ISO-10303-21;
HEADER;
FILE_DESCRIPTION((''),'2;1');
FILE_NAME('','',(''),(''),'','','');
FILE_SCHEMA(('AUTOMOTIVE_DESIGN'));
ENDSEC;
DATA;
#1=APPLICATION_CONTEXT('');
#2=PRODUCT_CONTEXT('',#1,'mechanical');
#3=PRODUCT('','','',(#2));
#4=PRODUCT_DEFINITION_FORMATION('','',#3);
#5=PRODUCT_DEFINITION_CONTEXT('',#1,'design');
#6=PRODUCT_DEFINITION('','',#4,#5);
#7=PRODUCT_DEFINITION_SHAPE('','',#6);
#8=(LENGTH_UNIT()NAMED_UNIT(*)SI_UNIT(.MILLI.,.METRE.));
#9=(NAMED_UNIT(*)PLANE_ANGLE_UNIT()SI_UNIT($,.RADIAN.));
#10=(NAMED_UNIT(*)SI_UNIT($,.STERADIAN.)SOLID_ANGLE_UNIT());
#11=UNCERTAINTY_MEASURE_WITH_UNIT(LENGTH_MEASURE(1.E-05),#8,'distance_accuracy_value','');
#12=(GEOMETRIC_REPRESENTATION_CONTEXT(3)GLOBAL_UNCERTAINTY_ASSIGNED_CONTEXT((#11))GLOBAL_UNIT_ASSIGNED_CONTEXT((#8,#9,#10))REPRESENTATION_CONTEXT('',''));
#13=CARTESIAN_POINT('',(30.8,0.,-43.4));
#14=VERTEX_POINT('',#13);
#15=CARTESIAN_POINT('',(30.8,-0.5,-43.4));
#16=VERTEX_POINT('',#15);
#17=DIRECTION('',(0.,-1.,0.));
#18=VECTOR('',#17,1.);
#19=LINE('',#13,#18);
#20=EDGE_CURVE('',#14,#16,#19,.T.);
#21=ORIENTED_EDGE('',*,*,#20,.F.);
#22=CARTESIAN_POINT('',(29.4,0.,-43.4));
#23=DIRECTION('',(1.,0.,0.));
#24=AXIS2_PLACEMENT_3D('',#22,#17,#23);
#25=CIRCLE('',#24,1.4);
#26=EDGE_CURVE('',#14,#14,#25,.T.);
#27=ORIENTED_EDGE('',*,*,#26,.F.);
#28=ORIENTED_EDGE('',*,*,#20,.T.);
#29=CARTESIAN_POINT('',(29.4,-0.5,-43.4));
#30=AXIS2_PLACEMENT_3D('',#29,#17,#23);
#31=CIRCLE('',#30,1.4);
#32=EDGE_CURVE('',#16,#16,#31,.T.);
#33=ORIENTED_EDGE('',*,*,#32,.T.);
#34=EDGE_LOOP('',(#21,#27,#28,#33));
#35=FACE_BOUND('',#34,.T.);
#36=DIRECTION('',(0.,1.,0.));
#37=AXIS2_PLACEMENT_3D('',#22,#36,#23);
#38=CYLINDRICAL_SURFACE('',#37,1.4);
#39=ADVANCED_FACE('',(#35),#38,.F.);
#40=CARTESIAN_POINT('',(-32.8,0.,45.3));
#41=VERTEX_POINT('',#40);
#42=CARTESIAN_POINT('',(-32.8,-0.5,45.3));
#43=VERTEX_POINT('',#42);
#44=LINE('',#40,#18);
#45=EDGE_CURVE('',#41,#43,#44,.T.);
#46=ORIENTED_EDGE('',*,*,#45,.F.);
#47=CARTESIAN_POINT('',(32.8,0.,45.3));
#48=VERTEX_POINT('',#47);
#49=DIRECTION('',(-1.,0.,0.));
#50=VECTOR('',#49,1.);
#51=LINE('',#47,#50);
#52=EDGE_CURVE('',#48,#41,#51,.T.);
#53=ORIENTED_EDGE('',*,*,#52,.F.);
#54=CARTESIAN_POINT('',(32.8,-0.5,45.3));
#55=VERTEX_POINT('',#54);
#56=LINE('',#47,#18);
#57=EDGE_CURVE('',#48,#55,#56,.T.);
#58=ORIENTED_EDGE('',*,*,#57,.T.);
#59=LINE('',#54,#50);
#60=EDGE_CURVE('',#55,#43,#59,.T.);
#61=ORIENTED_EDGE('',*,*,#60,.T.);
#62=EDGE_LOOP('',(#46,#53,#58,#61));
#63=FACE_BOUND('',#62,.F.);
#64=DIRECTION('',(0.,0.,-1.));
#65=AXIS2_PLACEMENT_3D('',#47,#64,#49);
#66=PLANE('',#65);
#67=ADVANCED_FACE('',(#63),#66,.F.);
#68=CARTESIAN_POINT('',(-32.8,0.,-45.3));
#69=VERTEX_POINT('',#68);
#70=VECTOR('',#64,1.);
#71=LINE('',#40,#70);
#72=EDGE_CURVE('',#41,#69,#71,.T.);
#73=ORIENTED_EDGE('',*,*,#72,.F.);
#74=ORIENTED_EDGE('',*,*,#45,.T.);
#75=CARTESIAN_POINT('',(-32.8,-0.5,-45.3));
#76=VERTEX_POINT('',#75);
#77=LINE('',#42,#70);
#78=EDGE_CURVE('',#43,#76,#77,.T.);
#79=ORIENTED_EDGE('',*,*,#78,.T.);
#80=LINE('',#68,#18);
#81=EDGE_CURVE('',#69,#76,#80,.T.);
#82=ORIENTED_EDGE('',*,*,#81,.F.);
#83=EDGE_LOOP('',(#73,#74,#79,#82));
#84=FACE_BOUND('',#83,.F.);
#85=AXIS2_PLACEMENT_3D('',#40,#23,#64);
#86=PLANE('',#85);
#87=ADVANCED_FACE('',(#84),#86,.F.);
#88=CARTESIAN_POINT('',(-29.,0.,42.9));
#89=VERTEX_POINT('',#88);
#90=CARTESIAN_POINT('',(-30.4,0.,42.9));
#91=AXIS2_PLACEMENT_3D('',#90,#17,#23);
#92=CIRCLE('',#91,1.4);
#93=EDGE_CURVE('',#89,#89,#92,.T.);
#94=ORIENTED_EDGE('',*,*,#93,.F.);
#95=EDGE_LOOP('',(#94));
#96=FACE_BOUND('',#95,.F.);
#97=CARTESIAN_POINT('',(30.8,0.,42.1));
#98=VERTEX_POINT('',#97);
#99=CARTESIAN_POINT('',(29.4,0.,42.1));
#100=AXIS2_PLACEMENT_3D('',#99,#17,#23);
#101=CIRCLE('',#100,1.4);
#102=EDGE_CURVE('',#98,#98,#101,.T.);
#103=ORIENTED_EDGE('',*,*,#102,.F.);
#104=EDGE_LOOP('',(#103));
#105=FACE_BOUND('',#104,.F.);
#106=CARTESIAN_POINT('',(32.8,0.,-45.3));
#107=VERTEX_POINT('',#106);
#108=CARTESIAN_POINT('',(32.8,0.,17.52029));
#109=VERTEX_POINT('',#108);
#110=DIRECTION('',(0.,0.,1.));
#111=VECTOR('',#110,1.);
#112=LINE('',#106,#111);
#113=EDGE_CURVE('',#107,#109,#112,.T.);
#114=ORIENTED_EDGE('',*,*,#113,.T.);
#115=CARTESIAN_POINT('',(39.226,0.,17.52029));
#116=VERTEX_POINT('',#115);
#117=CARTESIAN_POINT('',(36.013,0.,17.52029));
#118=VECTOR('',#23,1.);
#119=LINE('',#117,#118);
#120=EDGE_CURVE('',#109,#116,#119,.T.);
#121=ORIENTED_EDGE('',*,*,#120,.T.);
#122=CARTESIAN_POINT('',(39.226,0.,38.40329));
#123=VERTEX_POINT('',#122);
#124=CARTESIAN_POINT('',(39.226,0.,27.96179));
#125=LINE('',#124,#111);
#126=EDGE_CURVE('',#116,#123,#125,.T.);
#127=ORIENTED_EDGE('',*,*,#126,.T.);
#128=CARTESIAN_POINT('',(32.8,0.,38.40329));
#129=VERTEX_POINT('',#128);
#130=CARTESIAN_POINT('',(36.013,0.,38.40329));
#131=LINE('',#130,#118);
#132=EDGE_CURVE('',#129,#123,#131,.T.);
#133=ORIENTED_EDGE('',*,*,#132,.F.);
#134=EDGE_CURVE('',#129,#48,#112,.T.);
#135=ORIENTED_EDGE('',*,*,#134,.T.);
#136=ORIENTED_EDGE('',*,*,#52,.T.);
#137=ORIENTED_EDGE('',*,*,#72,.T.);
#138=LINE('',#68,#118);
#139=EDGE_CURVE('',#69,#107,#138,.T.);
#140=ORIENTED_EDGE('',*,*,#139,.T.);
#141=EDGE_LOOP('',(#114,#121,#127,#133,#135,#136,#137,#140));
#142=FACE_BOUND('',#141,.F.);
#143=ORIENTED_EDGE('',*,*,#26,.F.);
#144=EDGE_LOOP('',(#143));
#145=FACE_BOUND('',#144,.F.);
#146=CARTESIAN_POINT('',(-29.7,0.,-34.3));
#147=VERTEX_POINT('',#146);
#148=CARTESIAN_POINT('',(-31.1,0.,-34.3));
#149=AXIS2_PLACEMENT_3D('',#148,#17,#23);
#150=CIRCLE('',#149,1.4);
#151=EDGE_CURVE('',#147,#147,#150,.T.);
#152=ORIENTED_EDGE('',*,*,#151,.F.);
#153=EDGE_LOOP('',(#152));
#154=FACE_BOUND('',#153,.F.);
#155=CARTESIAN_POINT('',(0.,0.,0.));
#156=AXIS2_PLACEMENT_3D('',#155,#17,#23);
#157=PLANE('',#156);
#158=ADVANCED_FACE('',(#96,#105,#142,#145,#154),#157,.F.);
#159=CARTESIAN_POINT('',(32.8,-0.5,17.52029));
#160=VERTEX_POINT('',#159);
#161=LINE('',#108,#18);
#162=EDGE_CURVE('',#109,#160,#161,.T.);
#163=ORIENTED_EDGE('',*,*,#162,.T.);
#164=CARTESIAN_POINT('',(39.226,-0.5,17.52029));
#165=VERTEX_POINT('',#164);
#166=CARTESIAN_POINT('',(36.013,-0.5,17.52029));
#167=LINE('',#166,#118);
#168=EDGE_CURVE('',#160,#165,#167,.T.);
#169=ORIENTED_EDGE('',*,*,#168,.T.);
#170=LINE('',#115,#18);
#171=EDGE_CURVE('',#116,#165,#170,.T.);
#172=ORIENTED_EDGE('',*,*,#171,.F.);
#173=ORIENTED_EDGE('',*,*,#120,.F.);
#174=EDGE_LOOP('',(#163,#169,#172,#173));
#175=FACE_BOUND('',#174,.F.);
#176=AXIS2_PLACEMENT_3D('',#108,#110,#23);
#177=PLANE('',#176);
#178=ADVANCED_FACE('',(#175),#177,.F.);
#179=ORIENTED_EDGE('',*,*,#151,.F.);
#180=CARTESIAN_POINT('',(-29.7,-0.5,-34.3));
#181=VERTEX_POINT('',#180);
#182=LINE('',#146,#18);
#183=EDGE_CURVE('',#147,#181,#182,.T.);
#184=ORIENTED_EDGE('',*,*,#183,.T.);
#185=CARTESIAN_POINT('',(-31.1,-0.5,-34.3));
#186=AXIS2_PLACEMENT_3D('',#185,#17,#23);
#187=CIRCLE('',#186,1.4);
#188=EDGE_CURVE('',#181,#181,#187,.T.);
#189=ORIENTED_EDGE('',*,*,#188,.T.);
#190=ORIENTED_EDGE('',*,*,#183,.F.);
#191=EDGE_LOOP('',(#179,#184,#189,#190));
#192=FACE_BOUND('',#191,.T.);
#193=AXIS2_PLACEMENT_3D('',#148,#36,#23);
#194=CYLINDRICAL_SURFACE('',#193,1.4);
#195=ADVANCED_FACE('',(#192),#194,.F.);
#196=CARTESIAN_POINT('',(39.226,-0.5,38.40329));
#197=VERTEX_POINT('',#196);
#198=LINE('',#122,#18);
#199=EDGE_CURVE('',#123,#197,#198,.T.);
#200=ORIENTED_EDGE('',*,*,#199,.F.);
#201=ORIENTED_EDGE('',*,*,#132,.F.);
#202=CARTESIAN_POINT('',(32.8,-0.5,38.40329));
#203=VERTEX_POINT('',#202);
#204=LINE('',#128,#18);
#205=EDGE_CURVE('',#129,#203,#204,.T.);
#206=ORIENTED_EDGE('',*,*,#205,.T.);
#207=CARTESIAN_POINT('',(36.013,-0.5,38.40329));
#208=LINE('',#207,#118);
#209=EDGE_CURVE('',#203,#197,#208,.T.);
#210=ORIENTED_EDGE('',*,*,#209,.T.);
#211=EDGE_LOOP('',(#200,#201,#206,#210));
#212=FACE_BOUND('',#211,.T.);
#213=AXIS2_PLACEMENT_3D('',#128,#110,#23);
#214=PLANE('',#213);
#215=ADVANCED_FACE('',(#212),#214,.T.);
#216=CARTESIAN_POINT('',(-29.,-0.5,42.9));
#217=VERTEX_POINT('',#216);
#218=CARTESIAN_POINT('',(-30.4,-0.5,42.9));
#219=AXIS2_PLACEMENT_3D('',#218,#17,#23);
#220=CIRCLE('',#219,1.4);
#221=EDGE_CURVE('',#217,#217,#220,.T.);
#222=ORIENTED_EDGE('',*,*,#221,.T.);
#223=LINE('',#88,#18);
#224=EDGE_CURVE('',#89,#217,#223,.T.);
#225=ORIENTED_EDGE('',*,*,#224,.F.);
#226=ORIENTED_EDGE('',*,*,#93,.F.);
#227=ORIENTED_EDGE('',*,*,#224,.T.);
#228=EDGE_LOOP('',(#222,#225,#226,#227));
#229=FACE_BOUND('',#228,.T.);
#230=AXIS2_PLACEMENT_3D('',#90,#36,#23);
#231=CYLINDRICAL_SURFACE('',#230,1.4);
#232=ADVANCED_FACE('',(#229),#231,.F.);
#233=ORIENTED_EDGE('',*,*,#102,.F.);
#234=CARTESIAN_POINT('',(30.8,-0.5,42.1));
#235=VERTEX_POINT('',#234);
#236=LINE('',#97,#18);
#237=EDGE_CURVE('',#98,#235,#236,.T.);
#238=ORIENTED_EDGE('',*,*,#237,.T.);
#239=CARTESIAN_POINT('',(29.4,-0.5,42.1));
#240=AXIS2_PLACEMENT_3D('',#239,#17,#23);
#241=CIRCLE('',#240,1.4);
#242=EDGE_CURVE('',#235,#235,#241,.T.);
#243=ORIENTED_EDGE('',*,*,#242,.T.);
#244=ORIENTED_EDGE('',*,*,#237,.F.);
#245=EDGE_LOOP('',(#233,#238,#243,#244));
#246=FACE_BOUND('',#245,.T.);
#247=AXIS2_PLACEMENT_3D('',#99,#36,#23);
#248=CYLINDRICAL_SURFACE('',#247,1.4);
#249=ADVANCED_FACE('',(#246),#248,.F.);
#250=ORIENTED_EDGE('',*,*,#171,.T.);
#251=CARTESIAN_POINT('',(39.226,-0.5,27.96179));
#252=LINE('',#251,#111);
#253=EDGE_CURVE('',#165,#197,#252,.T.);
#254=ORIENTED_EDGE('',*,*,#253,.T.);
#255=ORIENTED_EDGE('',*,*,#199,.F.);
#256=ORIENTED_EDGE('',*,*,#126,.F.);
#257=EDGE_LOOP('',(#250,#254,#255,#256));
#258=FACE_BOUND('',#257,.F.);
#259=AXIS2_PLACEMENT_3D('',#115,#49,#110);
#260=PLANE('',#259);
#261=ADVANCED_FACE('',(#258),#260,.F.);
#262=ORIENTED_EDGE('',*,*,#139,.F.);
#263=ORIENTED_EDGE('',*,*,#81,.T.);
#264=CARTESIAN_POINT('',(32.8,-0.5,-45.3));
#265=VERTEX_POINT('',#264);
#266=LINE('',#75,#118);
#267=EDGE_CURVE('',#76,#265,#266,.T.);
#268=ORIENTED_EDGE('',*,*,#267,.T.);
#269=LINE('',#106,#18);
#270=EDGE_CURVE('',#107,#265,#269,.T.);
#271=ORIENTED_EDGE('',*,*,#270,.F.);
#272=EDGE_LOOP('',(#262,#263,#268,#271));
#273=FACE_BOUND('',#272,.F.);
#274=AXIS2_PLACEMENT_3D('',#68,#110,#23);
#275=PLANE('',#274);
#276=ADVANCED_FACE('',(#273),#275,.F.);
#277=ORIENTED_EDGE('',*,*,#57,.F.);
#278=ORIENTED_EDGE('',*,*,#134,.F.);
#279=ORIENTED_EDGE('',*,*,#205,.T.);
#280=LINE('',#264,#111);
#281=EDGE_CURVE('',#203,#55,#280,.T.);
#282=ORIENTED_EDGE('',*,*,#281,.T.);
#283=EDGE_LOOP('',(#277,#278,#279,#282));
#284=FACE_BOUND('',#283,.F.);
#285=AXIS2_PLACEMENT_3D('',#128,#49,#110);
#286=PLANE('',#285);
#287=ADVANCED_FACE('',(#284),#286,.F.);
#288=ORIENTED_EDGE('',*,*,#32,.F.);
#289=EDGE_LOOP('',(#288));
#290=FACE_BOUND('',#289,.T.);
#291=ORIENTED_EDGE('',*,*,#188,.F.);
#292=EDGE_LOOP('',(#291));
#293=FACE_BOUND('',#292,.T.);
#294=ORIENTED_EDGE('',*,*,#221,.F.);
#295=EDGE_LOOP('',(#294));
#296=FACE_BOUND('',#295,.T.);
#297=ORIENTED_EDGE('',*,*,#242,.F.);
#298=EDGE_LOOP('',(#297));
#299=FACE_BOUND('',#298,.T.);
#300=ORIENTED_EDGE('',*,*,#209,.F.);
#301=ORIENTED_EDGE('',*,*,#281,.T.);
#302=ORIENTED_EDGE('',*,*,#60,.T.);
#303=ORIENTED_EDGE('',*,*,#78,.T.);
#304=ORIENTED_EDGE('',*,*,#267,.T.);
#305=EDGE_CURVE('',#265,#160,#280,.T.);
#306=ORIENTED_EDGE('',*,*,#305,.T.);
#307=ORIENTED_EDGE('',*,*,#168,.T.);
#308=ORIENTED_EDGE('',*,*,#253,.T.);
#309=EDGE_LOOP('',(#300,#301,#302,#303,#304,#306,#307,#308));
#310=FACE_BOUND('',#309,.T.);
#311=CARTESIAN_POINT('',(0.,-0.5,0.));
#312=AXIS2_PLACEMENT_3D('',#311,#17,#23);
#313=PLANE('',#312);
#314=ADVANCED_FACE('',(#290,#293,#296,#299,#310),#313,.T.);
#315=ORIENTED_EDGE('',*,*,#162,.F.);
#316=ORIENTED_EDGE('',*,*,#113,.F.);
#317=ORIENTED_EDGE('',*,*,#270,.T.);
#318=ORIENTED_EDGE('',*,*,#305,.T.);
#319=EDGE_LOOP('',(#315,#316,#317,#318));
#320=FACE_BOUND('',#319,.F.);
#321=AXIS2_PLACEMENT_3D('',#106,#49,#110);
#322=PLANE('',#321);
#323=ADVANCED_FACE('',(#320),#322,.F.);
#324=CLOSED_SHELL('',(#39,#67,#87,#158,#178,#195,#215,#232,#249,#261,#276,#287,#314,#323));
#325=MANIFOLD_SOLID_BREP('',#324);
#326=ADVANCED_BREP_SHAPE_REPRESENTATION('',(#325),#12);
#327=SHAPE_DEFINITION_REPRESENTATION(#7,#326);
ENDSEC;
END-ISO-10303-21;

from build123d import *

# Parameters (mm, degrees)
F0_R     = 1.4
F0_W     = 6.426
F0_H     = 20.883
F1_DEPTH = 0.5


with BuildPart() as f1:
    # F0 (on Front) → F1 (new body)
    with BuildSketch(Plane.XZ):
        Polygon((-32.8, -45.3), (32.8, -45.3), (32.8, 17.52029), (32.8, 38.40329), (32.8, 45.3), (-32.8, 45.3), align=None)
        with Locations((-31.1, -34.3)):
            Circle(F0_R, mode=Mode.SUBTRACT)
        with Locations((29.4, -43.4)):
            Circle(F0_R, mode=Mode.SUBTRACT)
        with Locations((-30.4, 42.9)):
            Circle(F0_R, mode=Mode.SUBTRACT)
        with Locations((29.4, 42.1)):
            Circle(F0_R, mode=Mode.SUBTRACT)
        with Locations((36.013, 27.96179)):
            Rectangle(F0_W, F0_H)
    extrude(amount=F1_DEPTH)


solid = f1.part
